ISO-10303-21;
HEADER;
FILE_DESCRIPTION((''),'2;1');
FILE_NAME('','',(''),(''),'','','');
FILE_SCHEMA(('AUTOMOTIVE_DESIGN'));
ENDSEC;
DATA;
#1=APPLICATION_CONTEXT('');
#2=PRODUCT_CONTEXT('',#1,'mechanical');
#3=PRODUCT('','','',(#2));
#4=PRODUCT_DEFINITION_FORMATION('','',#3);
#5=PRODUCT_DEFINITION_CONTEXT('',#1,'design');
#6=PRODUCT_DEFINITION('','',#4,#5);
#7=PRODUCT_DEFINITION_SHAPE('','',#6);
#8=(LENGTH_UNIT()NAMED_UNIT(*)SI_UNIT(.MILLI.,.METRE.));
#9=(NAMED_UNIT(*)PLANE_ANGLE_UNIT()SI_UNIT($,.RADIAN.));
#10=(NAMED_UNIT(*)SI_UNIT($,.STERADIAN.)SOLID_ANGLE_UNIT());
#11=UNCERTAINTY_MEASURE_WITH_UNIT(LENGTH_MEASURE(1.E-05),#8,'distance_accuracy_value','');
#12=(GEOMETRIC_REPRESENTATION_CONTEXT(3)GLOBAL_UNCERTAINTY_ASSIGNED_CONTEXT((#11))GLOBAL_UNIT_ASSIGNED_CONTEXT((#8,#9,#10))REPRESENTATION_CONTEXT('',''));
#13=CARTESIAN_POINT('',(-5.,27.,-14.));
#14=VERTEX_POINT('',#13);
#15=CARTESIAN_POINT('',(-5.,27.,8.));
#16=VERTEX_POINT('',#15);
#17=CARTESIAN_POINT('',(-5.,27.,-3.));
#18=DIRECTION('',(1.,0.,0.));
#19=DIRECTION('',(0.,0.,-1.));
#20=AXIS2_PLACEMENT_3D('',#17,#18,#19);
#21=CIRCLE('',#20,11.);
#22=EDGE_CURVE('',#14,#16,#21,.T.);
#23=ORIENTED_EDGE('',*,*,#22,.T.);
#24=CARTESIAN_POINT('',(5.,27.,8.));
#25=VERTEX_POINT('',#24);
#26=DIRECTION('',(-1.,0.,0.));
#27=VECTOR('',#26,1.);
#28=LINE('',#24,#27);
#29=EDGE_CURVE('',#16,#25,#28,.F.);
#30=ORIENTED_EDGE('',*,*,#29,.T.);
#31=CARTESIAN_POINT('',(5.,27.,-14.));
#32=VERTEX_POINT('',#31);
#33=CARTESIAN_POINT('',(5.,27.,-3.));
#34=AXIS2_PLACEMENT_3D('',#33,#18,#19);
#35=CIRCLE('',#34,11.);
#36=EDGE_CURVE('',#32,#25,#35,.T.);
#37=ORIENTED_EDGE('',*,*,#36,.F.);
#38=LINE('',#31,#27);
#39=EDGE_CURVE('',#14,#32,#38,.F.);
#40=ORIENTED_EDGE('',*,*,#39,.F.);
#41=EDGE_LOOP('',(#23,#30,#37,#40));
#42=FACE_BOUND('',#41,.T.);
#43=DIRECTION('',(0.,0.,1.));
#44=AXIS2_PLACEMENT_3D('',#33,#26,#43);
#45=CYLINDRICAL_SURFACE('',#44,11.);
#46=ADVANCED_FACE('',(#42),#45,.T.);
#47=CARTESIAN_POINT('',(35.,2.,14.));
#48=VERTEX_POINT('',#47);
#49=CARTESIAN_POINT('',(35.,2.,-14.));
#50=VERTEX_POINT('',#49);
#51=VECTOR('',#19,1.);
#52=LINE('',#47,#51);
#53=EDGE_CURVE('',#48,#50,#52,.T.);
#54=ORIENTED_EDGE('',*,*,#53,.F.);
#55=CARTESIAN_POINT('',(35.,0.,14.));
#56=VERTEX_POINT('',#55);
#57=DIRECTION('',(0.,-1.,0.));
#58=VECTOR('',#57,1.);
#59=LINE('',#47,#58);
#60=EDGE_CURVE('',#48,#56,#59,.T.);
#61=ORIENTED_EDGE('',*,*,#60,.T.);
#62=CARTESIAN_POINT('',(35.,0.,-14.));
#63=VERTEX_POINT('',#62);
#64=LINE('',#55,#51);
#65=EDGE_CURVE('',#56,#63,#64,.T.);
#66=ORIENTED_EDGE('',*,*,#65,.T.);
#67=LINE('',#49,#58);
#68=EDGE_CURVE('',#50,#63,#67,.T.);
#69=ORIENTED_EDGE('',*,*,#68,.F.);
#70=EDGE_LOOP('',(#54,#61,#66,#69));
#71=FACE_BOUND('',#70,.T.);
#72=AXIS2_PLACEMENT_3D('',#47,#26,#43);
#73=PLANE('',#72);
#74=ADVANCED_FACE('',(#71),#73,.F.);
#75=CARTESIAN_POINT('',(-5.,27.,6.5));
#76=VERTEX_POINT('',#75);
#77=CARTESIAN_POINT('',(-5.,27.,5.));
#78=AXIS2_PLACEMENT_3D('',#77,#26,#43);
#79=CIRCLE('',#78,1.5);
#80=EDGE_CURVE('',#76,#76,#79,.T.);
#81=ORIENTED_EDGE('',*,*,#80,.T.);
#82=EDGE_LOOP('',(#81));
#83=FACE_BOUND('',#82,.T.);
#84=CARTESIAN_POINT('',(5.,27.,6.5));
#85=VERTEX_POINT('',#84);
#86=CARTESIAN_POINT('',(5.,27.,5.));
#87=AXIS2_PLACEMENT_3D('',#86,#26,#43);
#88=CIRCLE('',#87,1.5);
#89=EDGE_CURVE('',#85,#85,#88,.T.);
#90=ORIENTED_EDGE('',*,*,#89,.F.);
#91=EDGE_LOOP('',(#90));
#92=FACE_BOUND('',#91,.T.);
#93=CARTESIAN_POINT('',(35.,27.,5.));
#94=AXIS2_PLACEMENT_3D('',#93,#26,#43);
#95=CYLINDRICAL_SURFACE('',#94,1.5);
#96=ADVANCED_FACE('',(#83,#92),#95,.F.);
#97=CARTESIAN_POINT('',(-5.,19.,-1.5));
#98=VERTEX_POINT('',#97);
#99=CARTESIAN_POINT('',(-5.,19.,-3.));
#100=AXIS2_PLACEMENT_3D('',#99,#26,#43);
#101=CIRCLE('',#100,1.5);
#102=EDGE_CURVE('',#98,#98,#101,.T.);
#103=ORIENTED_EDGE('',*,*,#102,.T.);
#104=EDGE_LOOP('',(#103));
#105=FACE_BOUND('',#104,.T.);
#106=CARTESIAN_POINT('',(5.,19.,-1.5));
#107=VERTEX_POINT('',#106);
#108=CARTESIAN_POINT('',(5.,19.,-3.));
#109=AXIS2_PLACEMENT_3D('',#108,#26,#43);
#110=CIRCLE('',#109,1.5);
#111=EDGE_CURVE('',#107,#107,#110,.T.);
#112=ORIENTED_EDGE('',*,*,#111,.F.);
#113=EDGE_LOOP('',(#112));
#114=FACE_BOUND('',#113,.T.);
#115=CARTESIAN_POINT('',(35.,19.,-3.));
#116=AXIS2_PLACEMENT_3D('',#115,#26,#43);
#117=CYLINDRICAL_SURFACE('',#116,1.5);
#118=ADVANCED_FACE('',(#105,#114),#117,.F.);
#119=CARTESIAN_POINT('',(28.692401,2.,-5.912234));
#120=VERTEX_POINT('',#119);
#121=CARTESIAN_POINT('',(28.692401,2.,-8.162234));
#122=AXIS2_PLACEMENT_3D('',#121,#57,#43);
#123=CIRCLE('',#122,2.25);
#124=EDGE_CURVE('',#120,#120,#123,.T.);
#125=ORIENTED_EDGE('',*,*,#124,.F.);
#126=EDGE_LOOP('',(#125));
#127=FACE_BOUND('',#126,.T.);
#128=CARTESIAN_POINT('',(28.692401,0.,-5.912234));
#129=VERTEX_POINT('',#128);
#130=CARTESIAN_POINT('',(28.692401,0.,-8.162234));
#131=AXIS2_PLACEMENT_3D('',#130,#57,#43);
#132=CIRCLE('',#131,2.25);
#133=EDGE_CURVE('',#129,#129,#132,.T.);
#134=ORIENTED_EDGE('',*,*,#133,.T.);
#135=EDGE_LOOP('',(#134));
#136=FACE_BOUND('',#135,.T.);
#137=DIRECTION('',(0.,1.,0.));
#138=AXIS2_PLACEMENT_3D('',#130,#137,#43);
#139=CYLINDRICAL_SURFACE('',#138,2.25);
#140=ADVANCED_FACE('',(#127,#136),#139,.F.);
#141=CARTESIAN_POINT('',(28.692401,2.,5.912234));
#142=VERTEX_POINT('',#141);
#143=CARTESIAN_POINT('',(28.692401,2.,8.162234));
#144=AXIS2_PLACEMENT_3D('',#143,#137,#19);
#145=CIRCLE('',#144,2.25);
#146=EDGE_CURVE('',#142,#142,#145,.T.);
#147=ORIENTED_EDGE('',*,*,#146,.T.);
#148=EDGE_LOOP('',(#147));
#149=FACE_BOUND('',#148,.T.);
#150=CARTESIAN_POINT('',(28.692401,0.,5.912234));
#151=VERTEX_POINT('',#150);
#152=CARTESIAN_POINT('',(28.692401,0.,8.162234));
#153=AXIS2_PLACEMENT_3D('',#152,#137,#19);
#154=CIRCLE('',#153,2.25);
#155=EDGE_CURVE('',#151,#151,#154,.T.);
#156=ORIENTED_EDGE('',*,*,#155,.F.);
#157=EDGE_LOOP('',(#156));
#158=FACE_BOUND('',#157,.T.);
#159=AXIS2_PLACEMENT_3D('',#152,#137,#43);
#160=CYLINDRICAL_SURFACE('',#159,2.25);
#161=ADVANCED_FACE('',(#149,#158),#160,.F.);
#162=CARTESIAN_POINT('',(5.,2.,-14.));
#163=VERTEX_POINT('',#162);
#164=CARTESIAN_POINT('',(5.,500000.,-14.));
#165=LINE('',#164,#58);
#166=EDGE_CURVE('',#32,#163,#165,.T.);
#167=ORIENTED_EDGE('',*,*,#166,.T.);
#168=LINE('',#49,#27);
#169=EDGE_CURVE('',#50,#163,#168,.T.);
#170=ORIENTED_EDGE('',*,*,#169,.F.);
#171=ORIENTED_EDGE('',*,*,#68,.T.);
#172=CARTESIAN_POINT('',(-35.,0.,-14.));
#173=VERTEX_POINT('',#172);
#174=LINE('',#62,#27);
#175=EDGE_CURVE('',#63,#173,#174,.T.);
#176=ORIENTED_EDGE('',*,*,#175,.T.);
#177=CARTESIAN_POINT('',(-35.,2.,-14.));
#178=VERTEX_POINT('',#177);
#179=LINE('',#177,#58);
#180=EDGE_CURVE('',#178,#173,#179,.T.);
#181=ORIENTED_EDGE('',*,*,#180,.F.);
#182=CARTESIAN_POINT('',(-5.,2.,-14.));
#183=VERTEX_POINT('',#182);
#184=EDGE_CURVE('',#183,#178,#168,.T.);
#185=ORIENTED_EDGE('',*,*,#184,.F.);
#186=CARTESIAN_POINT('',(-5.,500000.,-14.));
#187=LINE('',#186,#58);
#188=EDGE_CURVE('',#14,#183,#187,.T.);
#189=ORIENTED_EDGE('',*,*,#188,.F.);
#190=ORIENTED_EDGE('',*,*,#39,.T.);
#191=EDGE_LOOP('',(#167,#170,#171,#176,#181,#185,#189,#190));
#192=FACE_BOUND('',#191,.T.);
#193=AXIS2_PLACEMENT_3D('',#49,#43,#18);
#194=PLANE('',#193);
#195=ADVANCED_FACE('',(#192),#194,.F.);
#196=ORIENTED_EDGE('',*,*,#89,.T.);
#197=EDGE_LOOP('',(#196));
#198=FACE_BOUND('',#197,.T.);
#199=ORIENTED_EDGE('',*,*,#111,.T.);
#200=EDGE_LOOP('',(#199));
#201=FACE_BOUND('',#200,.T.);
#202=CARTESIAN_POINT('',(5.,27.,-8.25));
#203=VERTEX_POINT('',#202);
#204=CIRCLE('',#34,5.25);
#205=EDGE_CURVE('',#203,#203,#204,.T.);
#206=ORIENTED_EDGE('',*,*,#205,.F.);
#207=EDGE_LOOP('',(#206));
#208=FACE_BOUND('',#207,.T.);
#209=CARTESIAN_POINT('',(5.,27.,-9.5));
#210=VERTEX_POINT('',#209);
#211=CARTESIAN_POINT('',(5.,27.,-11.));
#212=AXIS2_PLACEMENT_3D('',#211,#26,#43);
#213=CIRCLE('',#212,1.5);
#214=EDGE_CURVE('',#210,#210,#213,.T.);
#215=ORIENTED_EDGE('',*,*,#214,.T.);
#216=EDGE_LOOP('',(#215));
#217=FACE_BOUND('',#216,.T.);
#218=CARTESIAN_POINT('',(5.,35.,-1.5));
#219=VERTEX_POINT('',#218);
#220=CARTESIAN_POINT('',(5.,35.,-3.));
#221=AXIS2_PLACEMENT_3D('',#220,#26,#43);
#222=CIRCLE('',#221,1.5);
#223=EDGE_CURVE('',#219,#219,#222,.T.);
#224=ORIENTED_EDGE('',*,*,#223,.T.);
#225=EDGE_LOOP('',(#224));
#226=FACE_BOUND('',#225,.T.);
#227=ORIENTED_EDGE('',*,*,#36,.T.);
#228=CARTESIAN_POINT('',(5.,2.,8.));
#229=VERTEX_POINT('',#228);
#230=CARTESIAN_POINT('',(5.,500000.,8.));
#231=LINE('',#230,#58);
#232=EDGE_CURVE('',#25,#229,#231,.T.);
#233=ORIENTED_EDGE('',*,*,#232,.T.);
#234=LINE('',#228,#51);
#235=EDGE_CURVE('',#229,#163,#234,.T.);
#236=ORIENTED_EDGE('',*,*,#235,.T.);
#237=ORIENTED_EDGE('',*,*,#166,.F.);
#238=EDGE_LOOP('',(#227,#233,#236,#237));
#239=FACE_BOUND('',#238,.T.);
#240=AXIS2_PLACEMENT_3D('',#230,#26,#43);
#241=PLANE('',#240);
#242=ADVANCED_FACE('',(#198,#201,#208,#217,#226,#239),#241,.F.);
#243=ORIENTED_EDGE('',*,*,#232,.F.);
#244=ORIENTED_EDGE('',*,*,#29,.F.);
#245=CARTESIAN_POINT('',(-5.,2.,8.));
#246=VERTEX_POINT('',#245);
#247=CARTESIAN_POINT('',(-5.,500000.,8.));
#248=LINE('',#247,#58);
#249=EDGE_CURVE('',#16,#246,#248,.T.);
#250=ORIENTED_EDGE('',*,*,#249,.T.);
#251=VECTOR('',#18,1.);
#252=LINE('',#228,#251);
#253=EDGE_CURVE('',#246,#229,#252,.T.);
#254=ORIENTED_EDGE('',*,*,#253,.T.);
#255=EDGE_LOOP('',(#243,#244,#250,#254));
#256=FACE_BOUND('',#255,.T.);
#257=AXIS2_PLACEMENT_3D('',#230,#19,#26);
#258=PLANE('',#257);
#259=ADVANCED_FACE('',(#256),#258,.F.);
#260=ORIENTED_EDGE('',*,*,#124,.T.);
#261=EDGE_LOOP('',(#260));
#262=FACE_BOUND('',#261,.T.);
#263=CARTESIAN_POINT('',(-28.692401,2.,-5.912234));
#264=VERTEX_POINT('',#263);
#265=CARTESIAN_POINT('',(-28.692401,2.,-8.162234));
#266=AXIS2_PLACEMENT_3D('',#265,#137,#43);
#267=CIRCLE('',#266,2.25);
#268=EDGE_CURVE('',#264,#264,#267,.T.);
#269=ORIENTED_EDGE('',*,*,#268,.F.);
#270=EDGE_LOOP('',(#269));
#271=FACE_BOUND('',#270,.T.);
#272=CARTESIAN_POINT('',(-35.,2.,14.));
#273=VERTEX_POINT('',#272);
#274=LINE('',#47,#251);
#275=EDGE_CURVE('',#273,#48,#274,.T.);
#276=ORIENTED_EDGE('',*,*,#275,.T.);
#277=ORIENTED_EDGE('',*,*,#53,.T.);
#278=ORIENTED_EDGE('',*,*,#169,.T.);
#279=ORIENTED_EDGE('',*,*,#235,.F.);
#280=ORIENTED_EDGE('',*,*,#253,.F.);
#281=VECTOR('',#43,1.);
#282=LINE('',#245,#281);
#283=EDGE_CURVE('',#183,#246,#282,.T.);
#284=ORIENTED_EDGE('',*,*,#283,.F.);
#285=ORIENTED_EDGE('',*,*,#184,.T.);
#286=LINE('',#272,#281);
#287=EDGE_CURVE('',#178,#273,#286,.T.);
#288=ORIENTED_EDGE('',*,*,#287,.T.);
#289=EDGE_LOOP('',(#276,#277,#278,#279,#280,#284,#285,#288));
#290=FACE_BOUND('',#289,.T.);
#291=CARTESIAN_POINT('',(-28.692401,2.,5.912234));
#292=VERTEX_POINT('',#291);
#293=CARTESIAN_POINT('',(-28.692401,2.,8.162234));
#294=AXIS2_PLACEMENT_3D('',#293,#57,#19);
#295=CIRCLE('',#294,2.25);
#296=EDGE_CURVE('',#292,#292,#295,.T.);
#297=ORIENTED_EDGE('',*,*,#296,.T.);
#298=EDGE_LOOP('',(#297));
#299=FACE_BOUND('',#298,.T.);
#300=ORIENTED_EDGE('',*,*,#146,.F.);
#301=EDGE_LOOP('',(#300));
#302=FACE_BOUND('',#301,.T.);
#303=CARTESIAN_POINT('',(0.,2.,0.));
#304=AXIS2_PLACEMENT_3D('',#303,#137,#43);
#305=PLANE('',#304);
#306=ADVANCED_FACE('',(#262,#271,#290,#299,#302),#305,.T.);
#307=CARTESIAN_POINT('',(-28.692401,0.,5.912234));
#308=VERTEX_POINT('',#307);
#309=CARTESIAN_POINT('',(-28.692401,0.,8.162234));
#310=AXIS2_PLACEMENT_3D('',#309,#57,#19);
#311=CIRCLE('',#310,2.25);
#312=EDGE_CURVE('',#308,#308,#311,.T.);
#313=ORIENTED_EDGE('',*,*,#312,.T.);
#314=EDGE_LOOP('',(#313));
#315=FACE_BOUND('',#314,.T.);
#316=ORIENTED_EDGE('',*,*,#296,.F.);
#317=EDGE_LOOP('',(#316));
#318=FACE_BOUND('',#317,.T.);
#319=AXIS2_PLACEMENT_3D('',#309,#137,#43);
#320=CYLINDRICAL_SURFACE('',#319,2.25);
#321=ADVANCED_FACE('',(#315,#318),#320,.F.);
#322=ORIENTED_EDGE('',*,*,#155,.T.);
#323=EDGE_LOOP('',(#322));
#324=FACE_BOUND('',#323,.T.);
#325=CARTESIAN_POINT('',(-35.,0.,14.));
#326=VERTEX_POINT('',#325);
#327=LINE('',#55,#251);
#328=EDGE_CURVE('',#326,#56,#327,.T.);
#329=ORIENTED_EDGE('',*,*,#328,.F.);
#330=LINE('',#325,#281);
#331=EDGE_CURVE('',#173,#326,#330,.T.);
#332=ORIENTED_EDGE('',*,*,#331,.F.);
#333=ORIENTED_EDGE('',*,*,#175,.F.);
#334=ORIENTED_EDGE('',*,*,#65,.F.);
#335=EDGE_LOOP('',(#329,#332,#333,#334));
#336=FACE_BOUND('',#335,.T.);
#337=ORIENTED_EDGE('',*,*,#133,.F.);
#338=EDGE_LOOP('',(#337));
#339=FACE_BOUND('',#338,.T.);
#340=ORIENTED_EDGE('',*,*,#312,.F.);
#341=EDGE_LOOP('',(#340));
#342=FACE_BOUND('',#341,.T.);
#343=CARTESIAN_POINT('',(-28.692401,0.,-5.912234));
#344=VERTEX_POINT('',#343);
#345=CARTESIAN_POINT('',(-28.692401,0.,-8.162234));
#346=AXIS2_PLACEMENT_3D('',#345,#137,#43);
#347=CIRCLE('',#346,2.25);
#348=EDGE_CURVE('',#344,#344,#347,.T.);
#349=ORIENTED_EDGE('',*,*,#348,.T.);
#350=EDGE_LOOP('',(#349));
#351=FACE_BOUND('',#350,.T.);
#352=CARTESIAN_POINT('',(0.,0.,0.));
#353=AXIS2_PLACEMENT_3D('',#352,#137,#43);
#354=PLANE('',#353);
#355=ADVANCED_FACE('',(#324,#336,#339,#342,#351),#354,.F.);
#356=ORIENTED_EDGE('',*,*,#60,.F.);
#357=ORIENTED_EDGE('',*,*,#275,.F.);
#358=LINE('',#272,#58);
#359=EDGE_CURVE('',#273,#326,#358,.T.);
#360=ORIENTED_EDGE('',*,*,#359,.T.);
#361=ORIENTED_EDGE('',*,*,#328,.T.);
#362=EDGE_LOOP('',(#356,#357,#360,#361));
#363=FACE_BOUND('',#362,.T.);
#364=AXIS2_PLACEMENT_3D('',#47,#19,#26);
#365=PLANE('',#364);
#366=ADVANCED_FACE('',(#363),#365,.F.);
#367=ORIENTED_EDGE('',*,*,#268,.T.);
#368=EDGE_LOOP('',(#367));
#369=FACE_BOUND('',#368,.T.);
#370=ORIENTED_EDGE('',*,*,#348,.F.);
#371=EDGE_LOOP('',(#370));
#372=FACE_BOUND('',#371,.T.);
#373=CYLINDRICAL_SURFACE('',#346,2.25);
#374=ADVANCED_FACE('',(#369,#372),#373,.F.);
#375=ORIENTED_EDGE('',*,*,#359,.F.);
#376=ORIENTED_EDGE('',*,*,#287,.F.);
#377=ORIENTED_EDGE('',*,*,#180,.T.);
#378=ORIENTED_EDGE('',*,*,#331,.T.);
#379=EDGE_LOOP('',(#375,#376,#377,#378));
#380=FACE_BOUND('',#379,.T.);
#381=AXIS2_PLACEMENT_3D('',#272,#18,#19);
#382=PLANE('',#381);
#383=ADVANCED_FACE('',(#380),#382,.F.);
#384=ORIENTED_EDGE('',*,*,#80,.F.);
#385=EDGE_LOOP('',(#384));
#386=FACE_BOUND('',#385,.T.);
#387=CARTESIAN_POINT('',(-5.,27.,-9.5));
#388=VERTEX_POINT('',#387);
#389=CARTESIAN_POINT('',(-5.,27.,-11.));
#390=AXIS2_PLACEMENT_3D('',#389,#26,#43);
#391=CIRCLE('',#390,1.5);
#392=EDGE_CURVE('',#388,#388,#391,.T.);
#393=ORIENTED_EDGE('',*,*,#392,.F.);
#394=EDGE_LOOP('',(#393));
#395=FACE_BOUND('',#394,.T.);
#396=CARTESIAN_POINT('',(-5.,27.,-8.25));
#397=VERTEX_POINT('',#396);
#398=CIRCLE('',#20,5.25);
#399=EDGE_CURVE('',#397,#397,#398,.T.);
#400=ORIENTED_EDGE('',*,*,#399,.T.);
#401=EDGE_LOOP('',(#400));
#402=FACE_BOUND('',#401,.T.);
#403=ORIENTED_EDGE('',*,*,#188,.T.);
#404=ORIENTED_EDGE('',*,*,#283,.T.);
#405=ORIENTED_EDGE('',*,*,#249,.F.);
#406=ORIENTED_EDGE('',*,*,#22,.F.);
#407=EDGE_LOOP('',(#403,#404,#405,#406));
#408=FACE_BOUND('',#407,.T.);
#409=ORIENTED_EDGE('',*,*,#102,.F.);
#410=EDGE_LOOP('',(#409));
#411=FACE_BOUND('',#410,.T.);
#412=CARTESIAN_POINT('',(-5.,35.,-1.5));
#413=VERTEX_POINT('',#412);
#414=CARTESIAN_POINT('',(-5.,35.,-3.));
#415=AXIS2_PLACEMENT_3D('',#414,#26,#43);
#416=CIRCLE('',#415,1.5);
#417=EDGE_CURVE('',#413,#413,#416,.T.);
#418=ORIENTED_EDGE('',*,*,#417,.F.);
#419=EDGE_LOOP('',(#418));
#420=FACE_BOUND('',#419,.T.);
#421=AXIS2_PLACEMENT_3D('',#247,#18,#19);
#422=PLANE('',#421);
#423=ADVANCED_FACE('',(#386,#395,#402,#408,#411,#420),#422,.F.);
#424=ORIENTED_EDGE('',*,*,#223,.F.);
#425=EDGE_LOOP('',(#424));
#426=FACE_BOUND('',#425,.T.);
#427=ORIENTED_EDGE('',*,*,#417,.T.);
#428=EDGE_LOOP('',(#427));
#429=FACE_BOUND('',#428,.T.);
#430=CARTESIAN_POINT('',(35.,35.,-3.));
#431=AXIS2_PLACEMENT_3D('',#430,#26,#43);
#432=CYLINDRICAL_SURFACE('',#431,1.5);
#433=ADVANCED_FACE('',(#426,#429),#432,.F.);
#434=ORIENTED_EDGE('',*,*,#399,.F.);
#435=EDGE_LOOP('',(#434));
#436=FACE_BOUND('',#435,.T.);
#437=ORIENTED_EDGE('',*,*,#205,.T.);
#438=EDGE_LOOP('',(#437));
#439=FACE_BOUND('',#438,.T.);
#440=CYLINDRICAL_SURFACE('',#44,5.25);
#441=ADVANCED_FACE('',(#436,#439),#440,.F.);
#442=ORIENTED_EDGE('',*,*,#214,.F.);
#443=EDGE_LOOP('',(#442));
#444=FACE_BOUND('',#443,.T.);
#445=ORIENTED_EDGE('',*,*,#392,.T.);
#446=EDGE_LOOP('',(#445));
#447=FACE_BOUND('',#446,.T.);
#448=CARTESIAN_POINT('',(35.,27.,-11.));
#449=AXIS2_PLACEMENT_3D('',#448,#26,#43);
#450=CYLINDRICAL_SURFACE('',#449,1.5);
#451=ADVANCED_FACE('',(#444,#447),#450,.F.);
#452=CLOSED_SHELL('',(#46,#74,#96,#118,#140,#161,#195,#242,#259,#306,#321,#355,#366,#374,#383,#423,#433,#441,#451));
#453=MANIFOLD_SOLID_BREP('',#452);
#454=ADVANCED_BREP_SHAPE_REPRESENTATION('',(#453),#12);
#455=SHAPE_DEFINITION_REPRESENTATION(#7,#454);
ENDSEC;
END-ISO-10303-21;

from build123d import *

# Parameters (mm, degrees)
SKETCH1_W                = 70
SKETCH1_H                = 28
BOSS_EXTRUDE1_DEPTH      = 2
SKETCH2_R                = 11
SKETCH2_R_2              = 5.25
BOSS_EXTRUDE2_DEPTH      = 5
BOSS_EXTRUDE3_REACH      = 54.125
BOSS_EXTRUDE3_END_RADIUS = 11
SKETCH3_W                = 10
SKETCH3_H                = 22
SKETCH5_R                = 2.25
CUT_EXTRUDE1_DEPTH       = 53.12485012
MIRROR2_COPY_1_SKETCH_R  = 2.25
MIRROR2_COPY_1_DEPTH     = 53.12485012
SKETCH6_R                = 1.5
CUT_EXTRUDE2_DEPTH       = 57.920997883


with BuildPart() as part:
    # Sketch1 → Boss-Extrude1 (new body)
    with BuildSketch(Plane(origin=(0, 0, 0), x_dir=(1, 0, 0), z_dir=(0, 1, 0))):
        Rectangle(SKETCH1_W, SKETCH1_H)
    extrude(amount=BOSS_EXTRUDE1_DEPTH)



with BuildPart() as body_2:
    # Sketch2 → Boss-Extrude2 (new, symmetric)
    with BuildSketch(Plane(origin=(0, 0, 0), x_dir=(0, 0, -1), z_dir=(1, 0, 0))):
        with Locations((3, 27)):
            Circle(SKETCH2_R)
        with Locations((3, 27)):
            Circle(SKETCH2_R_2, mode=Mode.SUBTRACT)
    extrude(amount=BOSS_EXTRUDE2_DEPTH, both=True)


with BuildPart() as part_1:
    add(part.part)

    add(body_2.part)  # Boss-Extrude3 merges body 2
    # Boss-Extrude3: up to this cylinder (the profile starts outside it)
    boss_extrude3_end = Plane(origin=(0, 27, -3), z_dir=(-1, 0, 0)) * Cylinder(BOSS_EXTRUDE3_END_RADIUS, 131.25, mode=Mode.PRIVATE)
    # Sketch3 → Boss-Extrude3 (add, up to the surface)
    with BuildSketch(Plane(origin=(0, 2, 0), x_dir=(1, 0, 0), z_dir=(0, 1, 0)), mode=Mode.PRIVATE) as boss_extrude3_sk1:
        with Locations((0, 3)):
            Rectangle(SKETCH3_W, SKETCH3_H)
    boss_extrude3_tool1 = extrude(boss_extrude3_sk1.sketch, amount=BOSS_EXTRUDE3_REACH, mode=Mode.PRIVATE) - boss_extrude3_end
    add(boss_extrude3_tool1.solids().sort_by_distance((0, 2, -3))[0])

    # Sketch5 → Cut-Extrude1 (cut, through all)
    with BuildSketch(Plane(origin=(0, 2, 0), x_dir=(1, 0, 0), z_dir=(0, 1, 0))):
        with Locations(Location((-28.692400687, 8.162233715, 0), (0, 0, 270))):
            Circle(SKETCH5_R)
    cut_extrude1 = extrude(amount=-CUT_EXTRUDE1_DEPTH, mode=Mode.SUBTRACT)

    # Mirror1: Cut-Extrude1 across plane
    add(cut_extrude1.mirror(Plane(origin=(0, 0, 0), x_dir=(1, 0, 0), z_dir=(0, 0, -1))), mode=Mode.SUBTRACT)

    # Mirror2: Cut-Extrude1 across plane
    add(cut_extrude1.mirror(Plane.ZY), mode=Mode.SUBTRACT)

    # Mirror2 copy 1 sketch → Mirror2 copy 1 (cut, through all)
    with BuildSketch(Plane(origin=(0, 2, 0), x_dir=(-1, 0, 0), z_dir=(0, 1, 0))):
        with Locations(Location((-28.692400687, 8.162233715, 0), (0, 0, 270))):
            Circle(MIRROR2_COPY_1_SKETCH_R)
    extrude(amount=-MIRROR2_COPY_1_DEPTH, mode=Mode.SUBTRACT)

    # Sketch6 → Cut-Extrude2 (cut, through all)
    with BuildSketch(Plane.ZY.offset(5)):
        with Locations((-3, 35)):
            Circle(SKETCH6_R)
        with Locations((-11, 27)):
            Circle(SKETCH6_R)
        with Locations((5, 27)):
            Circle(SKETCH6_R)
        with Locations((-3, 19)):
            Circle(SKETCH6_R)
    extrude(amount=-CUT_EXTRUDE2_DEPTH, mode=Mode.SUBTRACT)


solid = part_1.part
